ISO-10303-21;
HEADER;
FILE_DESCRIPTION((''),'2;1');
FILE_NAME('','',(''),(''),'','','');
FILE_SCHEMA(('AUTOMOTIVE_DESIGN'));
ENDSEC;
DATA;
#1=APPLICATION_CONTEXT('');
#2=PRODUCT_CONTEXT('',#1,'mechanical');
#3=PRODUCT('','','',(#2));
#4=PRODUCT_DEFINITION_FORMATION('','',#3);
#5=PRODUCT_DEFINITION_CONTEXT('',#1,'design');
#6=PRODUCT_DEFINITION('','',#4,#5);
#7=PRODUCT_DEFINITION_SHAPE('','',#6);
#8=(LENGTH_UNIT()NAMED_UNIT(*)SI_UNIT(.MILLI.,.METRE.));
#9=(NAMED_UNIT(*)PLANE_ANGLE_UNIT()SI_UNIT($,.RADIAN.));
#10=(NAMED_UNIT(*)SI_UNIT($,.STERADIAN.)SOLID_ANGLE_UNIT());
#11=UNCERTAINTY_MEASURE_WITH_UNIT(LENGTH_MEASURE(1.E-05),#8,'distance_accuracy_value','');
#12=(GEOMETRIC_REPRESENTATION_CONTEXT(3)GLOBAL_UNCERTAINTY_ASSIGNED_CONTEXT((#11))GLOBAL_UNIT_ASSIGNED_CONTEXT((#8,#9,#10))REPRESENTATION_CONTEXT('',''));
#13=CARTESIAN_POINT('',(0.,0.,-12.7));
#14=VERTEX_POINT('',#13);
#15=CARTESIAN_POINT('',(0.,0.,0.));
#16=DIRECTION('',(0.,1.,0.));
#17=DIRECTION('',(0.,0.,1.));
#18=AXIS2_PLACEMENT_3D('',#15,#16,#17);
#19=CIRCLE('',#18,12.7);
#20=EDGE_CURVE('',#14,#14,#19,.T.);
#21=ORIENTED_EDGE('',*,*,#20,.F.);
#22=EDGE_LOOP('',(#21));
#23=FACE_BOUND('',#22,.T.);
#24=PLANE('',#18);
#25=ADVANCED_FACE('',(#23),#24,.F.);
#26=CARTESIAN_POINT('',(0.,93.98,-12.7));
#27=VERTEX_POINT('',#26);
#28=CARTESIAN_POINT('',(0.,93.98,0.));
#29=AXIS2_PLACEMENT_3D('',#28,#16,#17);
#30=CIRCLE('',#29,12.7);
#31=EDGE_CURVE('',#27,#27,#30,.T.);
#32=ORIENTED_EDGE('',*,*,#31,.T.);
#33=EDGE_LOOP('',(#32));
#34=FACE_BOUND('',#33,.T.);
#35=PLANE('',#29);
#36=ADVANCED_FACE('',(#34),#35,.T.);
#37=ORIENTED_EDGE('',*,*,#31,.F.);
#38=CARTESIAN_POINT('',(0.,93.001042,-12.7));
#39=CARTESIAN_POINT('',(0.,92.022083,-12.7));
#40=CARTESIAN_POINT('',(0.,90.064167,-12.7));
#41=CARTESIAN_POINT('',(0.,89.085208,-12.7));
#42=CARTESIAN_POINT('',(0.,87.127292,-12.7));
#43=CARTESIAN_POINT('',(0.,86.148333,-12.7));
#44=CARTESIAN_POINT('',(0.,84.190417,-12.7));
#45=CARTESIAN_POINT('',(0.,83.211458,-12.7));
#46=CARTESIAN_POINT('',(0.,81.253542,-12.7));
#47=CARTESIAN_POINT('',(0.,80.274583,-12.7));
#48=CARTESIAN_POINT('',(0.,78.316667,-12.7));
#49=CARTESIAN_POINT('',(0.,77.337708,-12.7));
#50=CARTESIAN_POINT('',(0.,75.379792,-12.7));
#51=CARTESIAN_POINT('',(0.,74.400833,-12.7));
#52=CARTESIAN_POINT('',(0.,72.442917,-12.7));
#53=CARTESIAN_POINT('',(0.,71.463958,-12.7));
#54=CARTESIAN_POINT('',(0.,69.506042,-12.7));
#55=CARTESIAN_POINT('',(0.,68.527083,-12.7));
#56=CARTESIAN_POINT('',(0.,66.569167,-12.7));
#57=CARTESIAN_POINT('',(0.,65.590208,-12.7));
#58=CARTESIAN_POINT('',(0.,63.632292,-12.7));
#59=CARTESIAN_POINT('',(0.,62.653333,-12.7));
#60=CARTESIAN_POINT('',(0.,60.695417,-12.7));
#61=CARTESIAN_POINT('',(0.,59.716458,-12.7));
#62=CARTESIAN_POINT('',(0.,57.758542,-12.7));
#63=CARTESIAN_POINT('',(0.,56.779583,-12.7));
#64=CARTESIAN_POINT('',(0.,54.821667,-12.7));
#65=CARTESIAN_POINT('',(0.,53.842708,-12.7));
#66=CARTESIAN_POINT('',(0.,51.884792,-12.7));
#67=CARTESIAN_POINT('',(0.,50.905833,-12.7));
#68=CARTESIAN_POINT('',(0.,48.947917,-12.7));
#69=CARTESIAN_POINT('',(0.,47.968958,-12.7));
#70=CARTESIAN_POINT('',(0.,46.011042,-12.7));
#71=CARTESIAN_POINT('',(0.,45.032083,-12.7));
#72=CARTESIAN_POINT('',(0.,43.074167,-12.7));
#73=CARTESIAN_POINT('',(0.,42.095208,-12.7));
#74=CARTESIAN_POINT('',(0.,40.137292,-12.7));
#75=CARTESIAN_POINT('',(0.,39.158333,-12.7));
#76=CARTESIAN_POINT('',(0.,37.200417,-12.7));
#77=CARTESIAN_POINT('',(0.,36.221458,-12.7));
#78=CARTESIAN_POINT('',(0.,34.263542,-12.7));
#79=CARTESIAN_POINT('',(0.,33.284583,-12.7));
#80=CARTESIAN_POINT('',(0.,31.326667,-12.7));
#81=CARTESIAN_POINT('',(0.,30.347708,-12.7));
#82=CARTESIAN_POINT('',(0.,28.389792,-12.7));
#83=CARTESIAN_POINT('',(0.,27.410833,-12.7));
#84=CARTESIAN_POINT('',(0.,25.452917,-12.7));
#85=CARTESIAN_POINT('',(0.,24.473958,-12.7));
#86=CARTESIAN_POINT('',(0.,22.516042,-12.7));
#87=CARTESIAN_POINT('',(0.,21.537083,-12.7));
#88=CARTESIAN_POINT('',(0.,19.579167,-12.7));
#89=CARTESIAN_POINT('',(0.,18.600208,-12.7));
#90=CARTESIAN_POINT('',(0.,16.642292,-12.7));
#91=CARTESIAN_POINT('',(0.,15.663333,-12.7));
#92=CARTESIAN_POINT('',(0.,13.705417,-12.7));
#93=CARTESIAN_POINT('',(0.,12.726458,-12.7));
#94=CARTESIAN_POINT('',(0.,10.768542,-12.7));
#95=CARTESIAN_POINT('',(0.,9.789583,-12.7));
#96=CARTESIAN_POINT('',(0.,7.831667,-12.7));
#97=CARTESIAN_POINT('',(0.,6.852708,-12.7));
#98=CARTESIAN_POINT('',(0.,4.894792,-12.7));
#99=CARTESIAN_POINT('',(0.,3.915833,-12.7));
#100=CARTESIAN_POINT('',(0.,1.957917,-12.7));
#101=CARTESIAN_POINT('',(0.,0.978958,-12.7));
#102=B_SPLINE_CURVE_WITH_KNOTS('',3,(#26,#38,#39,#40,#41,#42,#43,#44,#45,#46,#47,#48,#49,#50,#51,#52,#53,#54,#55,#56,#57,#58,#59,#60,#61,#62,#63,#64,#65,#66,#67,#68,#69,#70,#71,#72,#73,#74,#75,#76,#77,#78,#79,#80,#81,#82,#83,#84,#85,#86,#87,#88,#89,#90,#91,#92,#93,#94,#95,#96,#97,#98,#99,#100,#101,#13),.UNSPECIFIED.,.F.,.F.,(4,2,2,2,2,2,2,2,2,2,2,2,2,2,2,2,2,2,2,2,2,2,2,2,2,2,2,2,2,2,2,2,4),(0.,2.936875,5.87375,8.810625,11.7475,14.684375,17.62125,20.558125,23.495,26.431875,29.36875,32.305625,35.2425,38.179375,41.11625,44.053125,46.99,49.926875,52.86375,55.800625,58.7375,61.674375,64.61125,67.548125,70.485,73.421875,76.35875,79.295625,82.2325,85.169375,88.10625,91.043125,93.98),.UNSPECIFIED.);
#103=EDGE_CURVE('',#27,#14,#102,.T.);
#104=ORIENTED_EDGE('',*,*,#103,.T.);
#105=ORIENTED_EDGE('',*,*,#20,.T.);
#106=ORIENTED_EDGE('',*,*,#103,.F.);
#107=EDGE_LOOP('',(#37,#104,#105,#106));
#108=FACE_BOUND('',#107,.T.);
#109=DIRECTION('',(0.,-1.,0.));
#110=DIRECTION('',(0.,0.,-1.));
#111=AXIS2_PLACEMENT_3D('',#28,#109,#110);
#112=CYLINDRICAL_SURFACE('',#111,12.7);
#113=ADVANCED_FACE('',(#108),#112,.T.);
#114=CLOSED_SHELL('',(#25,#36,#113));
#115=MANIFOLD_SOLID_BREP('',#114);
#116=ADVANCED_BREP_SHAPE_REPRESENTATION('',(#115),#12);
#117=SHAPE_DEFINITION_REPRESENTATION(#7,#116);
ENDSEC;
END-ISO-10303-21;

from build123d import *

# Parameters (mm, degrees)
SKETCH1_R           = 12.7
BOSS_EXTRUDE1_DEPTH = 93.98


with BuildPart() as part:
    # Sketch1 → Boss-Extrude1 (new body)
    with BuildSketch(Plane(origin=(0, 0, 0), x_dir=(1, 0, 0), z_dir=(0, 1, 0))):
        with Locations(Location((0, 0, 0), (0, 0, 90))):
            Circle(SKETCH1_R)
    extrude(amount=BOSS_EXTRUDE1_DEPTH)


solid = part.part
